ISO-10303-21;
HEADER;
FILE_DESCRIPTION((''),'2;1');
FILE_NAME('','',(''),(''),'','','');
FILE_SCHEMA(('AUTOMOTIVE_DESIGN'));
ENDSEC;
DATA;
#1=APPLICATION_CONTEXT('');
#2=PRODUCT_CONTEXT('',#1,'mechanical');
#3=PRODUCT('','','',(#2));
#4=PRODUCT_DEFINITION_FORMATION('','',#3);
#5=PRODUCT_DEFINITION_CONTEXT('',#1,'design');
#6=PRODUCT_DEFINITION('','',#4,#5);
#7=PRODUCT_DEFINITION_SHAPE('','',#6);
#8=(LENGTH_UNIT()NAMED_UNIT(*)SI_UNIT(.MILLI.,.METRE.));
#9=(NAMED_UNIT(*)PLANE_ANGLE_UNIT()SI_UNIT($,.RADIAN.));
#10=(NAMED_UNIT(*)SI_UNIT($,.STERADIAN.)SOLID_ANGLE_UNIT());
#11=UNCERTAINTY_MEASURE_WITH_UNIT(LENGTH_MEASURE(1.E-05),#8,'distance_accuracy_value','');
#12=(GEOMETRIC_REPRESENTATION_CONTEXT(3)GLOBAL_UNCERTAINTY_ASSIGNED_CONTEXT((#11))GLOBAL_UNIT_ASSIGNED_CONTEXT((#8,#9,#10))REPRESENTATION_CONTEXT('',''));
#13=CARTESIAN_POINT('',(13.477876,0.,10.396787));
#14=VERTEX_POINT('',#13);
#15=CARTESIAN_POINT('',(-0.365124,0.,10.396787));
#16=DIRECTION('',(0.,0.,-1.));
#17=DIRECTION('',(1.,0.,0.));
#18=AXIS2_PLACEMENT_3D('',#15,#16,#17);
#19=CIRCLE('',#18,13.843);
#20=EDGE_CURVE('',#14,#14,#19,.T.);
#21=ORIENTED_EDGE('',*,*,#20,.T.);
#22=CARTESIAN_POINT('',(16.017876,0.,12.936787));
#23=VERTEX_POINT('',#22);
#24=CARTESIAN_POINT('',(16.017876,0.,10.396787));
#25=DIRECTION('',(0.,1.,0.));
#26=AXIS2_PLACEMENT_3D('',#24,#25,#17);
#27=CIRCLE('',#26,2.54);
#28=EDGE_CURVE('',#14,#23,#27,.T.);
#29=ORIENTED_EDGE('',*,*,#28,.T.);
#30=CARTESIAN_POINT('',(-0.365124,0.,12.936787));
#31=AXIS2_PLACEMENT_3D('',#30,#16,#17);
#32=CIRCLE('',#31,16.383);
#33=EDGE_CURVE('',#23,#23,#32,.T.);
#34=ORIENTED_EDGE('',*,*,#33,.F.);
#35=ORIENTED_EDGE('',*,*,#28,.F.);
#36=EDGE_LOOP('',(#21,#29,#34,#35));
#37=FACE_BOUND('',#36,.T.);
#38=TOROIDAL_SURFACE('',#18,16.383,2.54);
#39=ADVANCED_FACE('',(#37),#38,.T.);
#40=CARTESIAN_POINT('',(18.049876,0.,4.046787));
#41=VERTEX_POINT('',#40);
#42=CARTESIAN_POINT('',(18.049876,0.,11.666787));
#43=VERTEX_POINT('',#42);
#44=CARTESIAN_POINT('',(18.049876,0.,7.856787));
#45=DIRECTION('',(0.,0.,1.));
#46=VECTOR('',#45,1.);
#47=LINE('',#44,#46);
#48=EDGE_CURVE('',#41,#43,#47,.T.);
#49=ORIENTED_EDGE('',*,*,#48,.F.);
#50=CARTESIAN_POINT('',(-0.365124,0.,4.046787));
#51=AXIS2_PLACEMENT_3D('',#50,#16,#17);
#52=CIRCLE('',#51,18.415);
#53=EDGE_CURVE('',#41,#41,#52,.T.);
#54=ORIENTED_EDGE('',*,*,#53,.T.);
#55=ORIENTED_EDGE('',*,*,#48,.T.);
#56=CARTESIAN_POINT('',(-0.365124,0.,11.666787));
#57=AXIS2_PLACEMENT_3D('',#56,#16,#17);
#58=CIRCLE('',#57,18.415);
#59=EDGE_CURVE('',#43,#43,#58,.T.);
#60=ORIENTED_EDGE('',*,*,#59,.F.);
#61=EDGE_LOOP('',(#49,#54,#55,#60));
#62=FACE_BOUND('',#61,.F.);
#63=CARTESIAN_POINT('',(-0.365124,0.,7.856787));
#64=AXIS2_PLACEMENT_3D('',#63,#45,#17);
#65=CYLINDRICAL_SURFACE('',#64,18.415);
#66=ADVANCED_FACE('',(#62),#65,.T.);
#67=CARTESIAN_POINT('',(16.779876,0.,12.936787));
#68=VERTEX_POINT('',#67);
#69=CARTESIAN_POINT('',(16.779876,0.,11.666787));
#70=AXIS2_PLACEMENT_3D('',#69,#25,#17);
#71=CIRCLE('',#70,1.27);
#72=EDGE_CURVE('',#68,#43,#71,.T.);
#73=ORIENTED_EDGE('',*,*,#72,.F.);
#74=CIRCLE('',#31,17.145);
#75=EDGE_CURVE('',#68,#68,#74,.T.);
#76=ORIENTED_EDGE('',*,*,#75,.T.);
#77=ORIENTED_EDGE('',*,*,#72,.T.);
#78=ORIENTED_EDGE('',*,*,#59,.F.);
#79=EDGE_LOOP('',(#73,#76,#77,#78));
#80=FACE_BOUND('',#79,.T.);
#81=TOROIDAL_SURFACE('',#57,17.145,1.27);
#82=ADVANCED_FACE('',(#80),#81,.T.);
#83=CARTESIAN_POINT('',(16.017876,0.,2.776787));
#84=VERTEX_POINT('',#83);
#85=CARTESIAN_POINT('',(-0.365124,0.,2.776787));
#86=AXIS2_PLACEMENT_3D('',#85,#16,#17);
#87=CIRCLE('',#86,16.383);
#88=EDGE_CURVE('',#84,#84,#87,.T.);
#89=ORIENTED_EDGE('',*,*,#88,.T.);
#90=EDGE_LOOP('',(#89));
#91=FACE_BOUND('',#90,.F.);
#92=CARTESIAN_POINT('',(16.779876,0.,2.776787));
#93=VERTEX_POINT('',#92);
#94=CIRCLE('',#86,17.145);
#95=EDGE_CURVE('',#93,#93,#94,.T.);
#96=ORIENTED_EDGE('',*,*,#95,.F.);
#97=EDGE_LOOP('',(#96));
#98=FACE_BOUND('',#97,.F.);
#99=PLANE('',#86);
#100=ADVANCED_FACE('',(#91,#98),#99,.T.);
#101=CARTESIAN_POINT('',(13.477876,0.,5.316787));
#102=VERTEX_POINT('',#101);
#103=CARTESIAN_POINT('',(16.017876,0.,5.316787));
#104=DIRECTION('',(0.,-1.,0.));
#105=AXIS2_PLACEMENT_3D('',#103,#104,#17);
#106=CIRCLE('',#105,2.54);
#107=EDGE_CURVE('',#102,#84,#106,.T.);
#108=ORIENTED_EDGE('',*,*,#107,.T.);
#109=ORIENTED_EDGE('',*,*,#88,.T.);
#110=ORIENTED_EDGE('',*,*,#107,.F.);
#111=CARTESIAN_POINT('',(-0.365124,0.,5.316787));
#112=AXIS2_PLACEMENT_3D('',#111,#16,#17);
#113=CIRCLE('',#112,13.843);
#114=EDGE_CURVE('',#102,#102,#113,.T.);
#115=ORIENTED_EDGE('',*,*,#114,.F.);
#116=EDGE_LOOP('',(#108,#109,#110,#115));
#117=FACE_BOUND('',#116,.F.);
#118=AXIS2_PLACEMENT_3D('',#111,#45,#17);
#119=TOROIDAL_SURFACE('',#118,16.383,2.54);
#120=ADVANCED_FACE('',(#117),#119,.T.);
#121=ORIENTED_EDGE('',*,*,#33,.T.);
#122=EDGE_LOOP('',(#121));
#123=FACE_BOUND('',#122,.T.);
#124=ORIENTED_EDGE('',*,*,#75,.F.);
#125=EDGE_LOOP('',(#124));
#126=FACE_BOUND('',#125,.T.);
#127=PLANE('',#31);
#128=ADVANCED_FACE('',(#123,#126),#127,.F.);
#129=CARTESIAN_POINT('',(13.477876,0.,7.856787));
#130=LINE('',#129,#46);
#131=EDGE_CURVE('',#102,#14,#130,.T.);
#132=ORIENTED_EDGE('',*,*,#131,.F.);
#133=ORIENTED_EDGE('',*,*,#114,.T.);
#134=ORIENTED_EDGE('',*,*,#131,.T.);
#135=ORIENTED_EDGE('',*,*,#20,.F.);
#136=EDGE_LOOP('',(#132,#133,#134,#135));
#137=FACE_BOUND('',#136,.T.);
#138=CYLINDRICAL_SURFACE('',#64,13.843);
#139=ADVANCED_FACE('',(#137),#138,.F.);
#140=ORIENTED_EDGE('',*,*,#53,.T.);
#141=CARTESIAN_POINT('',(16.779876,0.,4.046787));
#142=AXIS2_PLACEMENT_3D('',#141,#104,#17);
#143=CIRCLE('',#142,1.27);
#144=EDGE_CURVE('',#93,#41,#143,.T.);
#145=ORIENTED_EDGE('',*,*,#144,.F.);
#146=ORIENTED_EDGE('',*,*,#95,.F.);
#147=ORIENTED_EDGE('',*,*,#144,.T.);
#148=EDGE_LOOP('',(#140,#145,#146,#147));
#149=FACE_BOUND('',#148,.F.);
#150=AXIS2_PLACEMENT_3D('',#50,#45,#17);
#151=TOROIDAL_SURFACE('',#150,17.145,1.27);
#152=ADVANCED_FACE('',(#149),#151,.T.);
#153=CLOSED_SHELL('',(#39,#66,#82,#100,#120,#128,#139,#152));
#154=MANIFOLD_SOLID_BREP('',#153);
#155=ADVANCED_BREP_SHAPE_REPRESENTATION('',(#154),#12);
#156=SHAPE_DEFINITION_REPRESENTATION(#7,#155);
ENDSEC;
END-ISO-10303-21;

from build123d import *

# Parameters (mm, degrees)
F0_W = 4.572
F0_H = 10.16
F2_R = 2.54
F3_R = 1.27


with BuildPart() as f1:
    # F0 (on Front) → F1 (revolve)
    with BuildSketch(Plane.XZ):
        with Locations((15.7638760562, 7.8567868348)):
            Rectangle(F0_W, F0_H)
    revolve(axis=Axis((-0.3651239438, 0, 7.8567868348), (0, 0, -1)))

    # F2
    f2_edges = [f1.edges().sort_by_distance(p)[0] for p in [
        (-14.208124, 0, 12.936787),
        (-14.208124, 0, 2.776787),
    ]]
    fillet(f2_edges, radius=F2_R)

    # F3
    f3_edges = [f1.edges().sort_by_distance(p)[0] for p in [
        (-18.780124, 0, 12.936787),
        (-18.780124, 0, 2.776787),
    ]]
    fillet(f3_edges, radius=F3_R)


solid = f1.part
